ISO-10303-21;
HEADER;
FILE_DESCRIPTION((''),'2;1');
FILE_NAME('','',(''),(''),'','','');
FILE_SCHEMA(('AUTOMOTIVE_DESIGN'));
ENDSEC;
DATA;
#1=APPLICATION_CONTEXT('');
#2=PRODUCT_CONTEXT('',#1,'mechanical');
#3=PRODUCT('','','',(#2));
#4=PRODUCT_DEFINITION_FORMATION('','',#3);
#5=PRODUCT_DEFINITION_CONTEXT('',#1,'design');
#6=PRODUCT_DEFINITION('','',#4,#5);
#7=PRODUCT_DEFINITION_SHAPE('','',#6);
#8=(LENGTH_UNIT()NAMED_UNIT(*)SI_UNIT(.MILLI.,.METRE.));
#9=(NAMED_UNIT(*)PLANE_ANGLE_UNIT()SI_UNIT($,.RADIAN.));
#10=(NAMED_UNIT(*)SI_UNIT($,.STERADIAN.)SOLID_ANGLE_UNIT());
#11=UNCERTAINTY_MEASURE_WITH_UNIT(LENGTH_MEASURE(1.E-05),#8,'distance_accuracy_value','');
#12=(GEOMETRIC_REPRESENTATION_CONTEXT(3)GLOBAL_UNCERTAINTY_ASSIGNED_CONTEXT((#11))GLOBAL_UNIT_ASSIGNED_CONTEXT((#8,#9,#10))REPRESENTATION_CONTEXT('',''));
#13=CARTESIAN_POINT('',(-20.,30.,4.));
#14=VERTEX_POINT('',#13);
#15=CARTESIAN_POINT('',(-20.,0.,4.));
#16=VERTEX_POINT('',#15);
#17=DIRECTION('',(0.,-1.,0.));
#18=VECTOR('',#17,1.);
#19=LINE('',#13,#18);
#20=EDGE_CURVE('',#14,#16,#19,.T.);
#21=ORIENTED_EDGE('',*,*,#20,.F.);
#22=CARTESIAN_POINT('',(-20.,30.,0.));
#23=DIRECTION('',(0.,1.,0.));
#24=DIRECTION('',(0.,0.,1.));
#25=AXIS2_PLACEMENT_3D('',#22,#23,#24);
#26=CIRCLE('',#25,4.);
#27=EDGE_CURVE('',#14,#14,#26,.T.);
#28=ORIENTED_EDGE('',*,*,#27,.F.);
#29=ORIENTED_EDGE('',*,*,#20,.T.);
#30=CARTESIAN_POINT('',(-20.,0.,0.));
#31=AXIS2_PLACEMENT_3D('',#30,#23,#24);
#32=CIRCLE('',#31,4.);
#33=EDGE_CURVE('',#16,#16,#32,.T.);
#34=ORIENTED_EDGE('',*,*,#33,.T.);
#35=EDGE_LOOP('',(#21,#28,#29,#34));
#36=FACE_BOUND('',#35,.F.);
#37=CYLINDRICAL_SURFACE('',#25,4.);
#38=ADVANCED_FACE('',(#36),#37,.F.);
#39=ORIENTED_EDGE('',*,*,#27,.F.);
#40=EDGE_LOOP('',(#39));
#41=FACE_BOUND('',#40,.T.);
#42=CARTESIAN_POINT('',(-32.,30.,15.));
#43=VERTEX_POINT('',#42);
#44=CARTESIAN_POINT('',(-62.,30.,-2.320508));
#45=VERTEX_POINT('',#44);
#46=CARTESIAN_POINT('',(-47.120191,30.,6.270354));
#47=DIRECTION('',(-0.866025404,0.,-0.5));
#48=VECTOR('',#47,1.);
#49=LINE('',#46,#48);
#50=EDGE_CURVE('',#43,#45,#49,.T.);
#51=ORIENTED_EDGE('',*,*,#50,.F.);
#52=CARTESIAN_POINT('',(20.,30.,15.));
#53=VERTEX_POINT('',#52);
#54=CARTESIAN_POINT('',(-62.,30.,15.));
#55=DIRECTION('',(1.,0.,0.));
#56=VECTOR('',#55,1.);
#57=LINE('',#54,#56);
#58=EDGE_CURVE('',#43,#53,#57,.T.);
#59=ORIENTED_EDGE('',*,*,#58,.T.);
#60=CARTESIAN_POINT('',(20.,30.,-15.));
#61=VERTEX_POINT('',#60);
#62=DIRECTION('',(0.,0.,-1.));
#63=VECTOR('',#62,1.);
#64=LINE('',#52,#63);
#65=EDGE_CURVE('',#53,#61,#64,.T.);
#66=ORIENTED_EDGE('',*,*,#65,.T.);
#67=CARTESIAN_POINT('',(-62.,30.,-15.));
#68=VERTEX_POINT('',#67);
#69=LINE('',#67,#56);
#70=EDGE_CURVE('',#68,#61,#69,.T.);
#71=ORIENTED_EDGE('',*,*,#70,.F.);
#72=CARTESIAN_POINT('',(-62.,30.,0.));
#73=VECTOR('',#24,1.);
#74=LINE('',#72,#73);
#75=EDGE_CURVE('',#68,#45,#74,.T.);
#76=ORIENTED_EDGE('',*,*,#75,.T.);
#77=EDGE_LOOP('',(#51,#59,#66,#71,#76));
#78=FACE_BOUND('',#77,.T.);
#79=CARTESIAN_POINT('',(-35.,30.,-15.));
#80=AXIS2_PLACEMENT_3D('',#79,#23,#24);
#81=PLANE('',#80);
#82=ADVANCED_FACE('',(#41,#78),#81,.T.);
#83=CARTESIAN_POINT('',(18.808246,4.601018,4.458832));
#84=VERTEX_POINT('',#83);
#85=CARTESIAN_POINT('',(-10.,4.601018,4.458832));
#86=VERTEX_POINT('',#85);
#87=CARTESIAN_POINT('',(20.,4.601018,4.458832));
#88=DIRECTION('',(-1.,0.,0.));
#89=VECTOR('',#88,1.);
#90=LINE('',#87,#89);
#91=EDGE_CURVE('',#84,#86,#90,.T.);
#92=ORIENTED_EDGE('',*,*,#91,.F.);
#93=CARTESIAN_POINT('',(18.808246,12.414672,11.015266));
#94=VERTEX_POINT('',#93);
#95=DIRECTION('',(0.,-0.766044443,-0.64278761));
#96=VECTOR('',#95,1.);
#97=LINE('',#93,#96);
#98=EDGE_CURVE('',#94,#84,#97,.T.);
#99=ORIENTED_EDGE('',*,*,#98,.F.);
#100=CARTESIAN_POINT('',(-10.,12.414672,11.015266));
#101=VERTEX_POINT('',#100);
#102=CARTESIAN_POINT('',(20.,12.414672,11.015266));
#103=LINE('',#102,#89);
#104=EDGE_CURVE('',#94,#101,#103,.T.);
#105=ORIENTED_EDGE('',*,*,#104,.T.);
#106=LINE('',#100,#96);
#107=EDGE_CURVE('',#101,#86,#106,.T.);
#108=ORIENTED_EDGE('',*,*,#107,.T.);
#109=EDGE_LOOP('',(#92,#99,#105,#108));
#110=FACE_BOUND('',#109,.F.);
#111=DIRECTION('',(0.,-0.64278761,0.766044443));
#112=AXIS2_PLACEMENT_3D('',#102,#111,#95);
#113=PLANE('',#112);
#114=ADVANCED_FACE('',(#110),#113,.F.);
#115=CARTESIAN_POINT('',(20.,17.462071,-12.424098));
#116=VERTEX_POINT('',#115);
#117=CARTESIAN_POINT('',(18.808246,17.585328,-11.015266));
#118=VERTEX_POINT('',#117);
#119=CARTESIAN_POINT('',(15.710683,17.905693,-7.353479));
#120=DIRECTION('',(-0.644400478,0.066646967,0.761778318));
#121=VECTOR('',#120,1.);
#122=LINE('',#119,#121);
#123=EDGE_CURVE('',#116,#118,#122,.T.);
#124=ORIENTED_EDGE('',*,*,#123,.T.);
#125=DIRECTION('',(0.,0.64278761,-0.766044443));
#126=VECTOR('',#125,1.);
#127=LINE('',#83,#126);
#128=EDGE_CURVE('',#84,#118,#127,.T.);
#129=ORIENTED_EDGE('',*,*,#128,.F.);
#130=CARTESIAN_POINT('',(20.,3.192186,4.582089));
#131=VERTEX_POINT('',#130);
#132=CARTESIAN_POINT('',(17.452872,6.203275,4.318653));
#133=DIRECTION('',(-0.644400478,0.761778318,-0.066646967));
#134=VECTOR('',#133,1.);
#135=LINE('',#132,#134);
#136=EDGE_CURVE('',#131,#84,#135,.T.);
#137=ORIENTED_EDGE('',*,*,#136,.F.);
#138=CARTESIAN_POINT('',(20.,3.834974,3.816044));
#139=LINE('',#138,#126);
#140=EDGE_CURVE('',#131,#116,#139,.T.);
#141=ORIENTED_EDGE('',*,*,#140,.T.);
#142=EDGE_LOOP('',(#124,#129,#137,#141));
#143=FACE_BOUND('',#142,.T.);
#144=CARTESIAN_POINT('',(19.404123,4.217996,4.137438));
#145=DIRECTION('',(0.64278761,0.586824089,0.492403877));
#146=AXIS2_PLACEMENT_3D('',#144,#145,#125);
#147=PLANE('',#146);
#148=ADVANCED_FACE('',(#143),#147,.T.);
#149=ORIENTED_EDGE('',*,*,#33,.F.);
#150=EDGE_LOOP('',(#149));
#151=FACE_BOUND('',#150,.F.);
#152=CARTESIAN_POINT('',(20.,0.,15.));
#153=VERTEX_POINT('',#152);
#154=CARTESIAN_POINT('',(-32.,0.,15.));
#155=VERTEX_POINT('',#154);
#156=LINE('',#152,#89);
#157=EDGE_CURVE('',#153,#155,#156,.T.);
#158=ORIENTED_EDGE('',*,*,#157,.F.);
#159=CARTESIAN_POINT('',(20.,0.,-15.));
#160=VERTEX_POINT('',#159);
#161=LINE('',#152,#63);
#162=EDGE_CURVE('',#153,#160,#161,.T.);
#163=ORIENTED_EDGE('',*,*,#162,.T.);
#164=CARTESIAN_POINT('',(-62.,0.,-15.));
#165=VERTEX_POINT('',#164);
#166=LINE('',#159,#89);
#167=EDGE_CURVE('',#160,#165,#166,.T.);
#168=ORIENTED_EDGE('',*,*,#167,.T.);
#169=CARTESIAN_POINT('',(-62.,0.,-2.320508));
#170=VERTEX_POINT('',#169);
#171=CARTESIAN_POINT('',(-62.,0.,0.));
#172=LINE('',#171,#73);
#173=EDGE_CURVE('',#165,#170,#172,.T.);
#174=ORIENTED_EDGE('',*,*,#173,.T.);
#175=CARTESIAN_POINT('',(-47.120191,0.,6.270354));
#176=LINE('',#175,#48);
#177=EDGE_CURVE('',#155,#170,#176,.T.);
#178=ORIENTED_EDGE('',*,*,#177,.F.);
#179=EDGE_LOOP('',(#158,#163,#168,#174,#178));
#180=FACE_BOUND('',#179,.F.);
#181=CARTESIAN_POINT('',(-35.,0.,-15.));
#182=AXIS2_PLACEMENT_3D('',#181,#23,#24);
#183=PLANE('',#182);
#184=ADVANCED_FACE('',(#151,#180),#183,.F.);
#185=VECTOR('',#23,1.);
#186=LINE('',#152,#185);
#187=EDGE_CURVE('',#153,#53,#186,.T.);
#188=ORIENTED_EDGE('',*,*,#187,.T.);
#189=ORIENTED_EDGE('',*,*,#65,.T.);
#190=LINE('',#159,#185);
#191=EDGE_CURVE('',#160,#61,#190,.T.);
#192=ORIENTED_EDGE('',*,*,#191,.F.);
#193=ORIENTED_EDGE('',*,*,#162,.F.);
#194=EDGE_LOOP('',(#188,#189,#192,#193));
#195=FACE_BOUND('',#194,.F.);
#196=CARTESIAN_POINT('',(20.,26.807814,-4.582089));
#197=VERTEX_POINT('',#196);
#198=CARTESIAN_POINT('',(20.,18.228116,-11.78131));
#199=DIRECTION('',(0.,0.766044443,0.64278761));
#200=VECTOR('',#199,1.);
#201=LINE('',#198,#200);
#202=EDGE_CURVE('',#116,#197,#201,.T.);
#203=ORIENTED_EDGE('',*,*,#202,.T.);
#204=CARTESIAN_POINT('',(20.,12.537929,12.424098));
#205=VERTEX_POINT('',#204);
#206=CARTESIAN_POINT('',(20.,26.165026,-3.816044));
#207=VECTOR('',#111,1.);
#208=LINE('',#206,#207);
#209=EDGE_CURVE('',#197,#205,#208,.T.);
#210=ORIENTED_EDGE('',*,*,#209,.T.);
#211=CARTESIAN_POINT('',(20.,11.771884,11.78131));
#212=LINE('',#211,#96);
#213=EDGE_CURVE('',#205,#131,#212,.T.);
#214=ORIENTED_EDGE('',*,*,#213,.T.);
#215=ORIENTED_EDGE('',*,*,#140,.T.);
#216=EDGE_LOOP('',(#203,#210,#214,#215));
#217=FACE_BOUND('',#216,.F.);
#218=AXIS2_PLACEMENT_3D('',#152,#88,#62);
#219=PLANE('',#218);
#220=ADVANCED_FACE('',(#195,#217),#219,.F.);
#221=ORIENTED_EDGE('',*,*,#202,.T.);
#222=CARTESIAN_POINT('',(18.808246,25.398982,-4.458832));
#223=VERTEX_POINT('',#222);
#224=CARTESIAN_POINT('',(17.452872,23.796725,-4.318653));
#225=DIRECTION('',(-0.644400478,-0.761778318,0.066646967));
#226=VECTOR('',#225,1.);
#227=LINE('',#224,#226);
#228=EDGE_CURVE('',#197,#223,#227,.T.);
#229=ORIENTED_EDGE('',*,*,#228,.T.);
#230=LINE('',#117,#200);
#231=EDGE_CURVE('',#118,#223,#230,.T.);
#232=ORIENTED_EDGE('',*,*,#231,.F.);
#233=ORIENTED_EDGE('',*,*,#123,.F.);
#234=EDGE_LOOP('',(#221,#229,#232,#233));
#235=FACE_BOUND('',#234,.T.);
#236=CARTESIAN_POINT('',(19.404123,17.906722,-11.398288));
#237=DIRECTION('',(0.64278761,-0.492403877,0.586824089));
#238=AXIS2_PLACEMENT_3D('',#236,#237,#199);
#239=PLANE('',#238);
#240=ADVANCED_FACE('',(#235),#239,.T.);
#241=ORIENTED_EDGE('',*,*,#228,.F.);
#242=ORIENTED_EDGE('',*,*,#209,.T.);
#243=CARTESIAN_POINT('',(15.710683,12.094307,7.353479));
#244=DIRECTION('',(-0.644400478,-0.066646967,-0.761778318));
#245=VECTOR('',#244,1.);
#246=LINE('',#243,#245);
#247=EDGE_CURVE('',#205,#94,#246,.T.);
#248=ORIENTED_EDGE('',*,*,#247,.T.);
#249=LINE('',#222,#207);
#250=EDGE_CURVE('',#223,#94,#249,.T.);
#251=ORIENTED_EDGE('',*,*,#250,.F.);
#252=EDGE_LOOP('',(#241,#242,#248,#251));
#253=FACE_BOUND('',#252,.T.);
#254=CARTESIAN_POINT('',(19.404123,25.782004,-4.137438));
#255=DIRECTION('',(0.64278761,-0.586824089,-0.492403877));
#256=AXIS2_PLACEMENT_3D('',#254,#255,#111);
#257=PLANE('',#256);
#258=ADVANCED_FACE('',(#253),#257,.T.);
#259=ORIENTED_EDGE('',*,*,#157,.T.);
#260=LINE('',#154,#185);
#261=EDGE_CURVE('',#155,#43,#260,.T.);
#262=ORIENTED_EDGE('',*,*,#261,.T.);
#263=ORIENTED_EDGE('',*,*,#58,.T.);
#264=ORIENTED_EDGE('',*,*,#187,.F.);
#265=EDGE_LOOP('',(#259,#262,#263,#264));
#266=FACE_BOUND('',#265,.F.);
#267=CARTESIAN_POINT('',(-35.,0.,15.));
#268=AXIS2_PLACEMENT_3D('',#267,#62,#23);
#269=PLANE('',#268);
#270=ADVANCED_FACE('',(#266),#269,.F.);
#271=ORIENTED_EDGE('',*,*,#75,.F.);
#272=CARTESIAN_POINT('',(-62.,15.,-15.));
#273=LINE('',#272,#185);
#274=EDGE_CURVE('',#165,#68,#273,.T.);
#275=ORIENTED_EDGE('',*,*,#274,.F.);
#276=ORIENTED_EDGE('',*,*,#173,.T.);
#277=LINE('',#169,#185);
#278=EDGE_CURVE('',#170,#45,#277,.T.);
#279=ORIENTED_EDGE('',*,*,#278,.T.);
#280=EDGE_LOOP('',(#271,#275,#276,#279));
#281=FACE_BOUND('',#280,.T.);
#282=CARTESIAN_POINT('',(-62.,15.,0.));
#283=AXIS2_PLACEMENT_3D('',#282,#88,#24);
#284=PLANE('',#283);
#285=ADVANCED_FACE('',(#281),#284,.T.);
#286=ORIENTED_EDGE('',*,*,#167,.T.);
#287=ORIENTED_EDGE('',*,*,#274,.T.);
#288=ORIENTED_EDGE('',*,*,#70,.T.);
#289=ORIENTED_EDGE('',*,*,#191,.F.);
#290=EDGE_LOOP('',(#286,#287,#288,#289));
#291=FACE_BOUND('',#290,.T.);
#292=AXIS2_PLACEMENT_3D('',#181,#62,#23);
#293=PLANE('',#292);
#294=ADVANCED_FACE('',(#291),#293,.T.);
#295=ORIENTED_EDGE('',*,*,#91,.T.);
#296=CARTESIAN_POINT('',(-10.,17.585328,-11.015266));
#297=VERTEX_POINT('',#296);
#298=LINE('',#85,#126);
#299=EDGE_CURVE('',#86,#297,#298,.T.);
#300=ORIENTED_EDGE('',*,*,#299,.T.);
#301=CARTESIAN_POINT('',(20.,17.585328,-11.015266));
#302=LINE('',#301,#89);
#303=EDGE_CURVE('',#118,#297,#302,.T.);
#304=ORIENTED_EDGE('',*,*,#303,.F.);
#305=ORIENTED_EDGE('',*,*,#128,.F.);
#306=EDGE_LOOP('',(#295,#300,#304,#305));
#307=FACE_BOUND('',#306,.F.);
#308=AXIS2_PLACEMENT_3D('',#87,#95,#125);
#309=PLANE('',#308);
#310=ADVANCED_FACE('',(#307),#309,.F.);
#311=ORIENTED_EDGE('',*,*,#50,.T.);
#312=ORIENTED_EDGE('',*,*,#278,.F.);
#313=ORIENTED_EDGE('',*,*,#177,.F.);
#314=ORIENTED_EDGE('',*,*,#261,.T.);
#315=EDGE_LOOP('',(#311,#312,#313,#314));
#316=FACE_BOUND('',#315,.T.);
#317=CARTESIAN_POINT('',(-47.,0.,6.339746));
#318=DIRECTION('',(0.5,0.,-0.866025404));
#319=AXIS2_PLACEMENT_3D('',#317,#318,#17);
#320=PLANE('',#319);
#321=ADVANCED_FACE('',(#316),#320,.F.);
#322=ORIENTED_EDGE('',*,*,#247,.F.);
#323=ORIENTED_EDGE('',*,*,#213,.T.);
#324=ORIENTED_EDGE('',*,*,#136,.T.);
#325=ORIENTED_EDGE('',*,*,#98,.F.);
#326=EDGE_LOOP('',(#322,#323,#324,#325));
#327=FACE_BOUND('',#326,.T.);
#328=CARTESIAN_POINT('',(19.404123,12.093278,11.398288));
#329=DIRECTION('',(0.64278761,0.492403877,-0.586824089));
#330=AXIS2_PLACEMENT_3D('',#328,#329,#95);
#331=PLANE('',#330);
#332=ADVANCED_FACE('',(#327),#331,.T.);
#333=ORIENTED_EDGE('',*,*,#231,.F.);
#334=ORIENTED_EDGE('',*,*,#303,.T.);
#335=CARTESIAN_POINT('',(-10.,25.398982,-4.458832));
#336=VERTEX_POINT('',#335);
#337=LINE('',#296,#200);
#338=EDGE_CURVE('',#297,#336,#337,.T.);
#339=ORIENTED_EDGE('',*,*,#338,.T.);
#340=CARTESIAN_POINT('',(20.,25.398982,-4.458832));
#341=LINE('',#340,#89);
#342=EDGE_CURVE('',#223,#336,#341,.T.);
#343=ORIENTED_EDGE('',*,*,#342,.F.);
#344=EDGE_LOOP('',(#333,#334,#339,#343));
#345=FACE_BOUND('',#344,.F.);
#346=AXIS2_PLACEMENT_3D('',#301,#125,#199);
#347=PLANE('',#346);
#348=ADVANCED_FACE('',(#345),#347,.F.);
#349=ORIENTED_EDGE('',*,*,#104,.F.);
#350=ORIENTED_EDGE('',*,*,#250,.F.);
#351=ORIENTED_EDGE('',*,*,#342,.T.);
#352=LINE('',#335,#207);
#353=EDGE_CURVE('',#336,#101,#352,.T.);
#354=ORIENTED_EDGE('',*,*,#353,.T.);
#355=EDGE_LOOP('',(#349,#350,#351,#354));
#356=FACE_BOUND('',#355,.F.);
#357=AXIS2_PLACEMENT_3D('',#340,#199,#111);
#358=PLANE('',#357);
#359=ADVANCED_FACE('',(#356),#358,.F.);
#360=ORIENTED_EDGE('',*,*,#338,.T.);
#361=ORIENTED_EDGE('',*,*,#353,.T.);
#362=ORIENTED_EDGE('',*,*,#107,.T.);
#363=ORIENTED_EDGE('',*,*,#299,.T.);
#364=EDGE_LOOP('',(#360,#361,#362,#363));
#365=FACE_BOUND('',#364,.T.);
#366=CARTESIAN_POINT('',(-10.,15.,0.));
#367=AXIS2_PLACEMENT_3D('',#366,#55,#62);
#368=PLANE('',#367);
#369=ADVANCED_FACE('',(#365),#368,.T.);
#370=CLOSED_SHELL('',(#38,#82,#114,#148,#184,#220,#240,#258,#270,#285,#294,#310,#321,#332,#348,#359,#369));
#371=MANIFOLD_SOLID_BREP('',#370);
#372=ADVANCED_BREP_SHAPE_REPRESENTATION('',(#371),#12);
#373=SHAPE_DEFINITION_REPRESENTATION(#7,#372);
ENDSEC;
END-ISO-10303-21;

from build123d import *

# Parameters (mm, degrees)
EXTRUDE_1_DEPTH     = 30
SKETCH_2_R          = 4
CUT_EXTRUDE_1_DEPTH = 31
CUT_EXTRUDE_4_DEPTH = 30
SKETCH1_W           = 30
SKETCH1_H           = 30
BOSS_EXTRUDE1_DEPTH = 27
CHAMFER1_SIZE       = 30
CHAMFER1_SIZE2      = 17.320508076
CHAMFER2_SIZE       = 1
CHAMFER2_SIZE2      = 1.191753593


with BuildPart() as part:
    # Эскиз1 → Бобышка-Вытянуть1 (new body)
    with BuildSketch(Plane(origin=(0, 0, 0), x_dir=(1, 0, 0), z_dir=(0, 1, 0))):
        Polygon((-20, 15), (-35, 15), (-35, -15), (-20, -15), (20, -15), (20, 15), align=None)
    extrude(amount=EXTRUDE_1_DEPTH)

    # Эскиз2 → Вырез-Вытянуть1 (cut, through all)
    with BuildSketch(Plane(origin=(0, 30, 0), x_dir=(1, 0, 0), z_dir=(0, 1, 0))):
        with Locations(Location((-20, 0, 0), (0, 0, 270))):  # turned: the seam where the file's is
            Circle(SKETCH_2_R)
    extrude(amount=-CUT_EXTRUDE_1_DEPTH, mode=Mode.SUBTRACT)

    # Эскиз5 → Вырез-Вытянуть4 (cut)
    with BuildSketch(Plane(origin=(20, 0, 0), x_dir=(0, 0, -1), z_dir=(1, 0, 0))):
        Polygon((11.015265685, 17.585328198), (4.458832066, 25.398981518), (-11.015265685, 12.414671802), (-4.458832066, 4.601018482), align=None)
    extrude(amount=-CUT_EXTRUDE_4_DEPTH, mode=Mode.SUBTRACT)

    # Sketch1 → Boss-Extrude1 (add)
    with BuildSketch(Plane.ZY.offset(35)):
        with Locations((0, 15)):
            Rectangle(SKETCH1_W, SKETCH1_H)
    extrude(amount=BOSS_EXTRUDE1_DEPTH)

    # Chamfer1
    chamfer1_edges = [part.edges().sort_by_distance(p)[0] for p in [
        (-62, 15, 15),
    ]]
    chamfer1_side = [part.faces().sort_by_distance(p)[0] for p in [
        (-21, 15, 15),
    ]]
    chamfer(chamfer1_edges, length=CHAMFER1_SIZE, length2=CHAMFER1_SIZE2, reference=chamfer1_side[0])

    # Chamfer2
    chamfer2_edges = [part.edges().sort_by_distance(p)[0] for p in [
        (20, 18.90682666, 3.278216809),
        (20, 8.507845142, 7.737048876),
        (20, 11.09317334, -3.278216809),
        (20, 21.492154858, -7.737048876),
    ]]
    chamfer2_side = [part.faces().sort_by_distance(p)[0] for p in [
        (20, 15, 14.575735931),
    ]]
    chamfer(chamfer2_edges, length=CHAMFER2_SIZE, length2=CHAMFER2_SIZE2, reference=chamfer2_side[0])


solid = part.part
